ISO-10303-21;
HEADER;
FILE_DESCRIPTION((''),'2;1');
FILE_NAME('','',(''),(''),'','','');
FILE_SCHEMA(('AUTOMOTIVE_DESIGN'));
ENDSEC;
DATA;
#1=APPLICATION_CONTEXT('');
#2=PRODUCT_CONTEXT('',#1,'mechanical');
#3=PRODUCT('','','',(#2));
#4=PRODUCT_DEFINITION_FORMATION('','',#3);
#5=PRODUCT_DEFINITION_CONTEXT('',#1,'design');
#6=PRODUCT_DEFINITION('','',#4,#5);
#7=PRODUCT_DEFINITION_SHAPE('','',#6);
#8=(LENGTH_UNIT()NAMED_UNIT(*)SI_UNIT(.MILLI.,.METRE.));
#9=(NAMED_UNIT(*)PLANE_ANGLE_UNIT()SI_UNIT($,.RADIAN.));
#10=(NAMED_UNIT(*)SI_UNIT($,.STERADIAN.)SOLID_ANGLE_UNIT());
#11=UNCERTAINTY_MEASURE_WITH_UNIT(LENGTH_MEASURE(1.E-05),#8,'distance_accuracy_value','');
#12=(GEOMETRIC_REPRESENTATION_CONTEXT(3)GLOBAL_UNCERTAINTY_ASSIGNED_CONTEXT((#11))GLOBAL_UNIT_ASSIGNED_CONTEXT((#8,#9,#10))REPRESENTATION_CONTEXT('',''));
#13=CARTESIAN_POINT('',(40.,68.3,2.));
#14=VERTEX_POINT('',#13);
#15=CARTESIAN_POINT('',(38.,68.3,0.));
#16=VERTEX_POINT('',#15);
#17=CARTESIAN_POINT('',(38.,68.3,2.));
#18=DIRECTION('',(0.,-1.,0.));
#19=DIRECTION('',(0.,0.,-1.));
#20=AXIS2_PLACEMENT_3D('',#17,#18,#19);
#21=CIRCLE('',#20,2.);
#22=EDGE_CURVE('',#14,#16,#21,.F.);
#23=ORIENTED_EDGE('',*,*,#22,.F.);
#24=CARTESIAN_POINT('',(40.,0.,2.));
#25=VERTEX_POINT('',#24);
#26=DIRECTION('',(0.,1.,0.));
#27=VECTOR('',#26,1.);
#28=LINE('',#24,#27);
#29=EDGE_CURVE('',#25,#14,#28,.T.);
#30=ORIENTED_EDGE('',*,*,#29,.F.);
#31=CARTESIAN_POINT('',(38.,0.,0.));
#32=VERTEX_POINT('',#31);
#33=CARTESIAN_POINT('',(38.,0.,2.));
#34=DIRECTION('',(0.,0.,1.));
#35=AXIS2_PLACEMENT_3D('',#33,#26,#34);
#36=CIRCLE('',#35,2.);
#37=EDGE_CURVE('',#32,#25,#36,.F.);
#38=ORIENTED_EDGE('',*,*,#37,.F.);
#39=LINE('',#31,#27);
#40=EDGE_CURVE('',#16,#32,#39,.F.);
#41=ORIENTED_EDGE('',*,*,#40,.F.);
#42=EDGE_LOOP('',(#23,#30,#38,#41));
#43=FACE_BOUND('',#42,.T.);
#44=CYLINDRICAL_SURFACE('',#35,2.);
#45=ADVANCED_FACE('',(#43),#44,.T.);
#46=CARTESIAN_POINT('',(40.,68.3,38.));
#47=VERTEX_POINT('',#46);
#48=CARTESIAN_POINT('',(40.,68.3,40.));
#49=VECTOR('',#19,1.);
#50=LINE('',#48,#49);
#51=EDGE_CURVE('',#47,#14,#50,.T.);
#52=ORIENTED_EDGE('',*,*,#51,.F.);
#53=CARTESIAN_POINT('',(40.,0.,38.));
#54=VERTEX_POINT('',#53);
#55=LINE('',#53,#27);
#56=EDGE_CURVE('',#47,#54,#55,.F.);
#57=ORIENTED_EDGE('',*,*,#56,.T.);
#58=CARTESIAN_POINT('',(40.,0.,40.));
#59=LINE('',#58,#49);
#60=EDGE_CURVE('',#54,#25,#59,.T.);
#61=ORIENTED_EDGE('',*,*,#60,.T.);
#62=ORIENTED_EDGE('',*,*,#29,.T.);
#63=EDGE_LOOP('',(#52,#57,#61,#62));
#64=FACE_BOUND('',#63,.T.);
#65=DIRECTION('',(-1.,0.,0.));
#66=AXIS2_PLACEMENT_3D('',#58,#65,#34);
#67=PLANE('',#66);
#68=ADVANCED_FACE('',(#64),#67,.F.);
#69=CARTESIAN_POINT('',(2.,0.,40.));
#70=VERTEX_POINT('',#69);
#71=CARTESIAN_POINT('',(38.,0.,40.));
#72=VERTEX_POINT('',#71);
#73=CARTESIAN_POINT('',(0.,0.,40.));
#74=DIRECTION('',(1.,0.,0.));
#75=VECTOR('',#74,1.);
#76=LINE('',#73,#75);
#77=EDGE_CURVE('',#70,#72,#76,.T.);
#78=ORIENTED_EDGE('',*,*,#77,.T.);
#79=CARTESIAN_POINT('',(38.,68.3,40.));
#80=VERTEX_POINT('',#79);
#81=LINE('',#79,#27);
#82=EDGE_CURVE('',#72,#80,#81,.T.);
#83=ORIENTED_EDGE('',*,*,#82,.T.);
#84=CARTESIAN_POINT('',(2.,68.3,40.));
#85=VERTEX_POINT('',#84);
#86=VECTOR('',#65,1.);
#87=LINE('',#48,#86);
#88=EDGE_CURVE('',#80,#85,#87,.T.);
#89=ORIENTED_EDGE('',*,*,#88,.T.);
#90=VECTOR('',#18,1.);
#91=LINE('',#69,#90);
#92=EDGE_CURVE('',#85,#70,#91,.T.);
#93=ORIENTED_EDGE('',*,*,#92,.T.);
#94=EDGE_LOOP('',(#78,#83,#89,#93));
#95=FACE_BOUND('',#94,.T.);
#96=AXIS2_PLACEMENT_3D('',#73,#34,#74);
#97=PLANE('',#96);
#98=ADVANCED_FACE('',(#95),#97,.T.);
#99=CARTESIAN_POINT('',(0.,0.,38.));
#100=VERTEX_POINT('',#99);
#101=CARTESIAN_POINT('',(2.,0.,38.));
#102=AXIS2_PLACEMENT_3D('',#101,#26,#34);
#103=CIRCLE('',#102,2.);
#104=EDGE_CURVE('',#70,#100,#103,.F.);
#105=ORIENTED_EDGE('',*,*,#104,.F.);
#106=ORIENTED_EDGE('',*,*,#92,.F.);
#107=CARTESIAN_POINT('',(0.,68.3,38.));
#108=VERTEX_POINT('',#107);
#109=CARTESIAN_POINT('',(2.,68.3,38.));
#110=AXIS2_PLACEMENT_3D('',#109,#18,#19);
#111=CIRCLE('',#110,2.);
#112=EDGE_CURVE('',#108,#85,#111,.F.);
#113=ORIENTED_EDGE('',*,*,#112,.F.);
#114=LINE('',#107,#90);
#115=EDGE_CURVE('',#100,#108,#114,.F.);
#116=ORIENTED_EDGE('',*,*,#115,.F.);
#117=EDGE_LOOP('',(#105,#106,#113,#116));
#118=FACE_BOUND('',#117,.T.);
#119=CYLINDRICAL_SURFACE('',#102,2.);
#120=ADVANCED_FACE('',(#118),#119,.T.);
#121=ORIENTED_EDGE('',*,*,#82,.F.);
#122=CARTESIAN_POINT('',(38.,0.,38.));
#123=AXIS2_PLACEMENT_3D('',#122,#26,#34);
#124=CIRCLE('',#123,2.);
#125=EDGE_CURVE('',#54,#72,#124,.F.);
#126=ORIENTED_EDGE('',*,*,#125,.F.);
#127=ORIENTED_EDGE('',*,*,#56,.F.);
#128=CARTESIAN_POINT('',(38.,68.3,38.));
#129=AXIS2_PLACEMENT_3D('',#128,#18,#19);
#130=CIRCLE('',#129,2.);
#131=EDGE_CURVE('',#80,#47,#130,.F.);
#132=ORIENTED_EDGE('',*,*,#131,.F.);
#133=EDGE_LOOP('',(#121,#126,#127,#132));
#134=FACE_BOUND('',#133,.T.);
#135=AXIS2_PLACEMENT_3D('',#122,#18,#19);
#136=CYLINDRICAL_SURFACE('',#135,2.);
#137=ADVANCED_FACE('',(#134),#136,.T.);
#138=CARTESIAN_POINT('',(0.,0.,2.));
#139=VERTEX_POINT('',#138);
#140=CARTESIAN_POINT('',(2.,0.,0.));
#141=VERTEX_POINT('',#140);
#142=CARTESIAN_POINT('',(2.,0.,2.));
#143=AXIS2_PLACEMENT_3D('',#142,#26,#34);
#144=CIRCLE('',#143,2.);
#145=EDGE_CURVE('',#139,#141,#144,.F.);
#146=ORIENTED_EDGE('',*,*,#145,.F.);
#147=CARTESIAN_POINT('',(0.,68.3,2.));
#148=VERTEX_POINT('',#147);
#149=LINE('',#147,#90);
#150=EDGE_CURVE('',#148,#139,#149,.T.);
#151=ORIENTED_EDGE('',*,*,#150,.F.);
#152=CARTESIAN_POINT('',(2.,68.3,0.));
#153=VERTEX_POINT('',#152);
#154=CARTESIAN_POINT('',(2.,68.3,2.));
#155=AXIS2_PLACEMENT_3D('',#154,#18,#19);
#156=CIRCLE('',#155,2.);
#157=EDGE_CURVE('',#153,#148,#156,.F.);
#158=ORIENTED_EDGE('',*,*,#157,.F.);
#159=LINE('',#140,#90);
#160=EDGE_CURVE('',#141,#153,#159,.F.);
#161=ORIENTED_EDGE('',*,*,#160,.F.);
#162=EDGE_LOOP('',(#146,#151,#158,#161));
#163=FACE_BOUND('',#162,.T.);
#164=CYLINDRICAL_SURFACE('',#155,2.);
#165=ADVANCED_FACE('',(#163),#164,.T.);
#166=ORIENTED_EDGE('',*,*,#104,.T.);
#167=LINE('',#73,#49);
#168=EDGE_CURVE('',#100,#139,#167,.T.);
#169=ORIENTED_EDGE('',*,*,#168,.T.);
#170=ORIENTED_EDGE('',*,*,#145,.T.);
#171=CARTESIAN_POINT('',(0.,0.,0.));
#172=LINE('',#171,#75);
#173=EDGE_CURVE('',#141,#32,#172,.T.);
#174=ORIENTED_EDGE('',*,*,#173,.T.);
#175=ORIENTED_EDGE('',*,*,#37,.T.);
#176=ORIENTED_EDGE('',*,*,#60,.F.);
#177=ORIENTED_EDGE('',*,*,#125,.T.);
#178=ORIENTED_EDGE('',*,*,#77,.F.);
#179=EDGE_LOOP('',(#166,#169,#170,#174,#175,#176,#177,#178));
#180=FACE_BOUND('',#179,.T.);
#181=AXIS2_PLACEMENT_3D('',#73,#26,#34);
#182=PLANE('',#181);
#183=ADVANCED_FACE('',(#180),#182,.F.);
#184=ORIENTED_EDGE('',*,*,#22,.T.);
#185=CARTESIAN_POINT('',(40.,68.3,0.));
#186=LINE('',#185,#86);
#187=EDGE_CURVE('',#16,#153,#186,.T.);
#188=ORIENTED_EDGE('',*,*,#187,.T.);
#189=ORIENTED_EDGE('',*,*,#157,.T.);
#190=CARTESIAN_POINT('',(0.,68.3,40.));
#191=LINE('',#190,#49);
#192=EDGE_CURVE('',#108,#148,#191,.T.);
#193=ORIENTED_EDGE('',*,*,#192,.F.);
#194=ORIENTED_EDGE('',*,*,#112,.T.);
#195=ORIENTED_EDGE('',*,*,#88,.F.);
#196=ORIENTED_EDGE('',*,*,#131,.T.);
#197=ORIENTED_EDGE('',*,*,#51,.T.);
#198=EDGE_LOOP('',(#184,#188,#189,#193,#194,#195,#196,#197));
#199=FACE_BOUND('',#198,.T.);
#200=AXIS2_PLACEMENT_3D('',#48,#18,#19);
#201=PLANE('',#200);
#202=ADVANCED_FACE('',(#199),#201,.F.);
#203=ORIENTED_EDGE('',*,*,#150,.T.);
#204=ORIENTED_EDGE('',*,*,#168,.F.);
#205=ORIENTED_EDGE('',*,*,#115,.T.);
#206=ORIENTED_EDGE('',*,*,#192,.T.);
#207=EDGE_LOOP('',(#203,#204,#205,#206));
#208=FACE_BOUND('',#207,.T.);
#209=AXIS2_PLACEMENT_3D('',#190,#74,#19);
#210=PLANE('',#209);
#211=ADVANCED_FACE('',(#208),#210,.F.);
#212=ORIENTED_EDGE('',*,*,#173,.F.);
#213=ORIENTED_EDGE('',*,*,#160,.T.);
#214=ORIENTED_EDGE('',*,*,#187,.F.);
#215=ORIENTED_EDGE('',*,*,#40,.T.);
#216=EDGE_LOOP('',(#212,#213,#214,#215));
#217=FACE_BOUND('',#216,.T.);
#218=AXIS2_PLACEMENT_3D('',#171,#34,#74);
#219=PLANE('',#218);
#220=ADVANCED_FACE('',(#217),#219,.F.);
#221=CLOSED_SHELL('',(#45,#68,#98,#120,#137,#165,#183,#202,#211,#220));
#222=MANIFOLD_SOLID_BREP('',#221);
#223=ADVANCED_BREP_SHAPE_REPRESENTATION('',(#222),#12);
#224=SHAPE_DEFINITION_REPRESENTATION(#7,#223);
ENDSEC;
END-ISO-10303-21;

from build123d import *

# Parameters (mm, degrees)
SKETCH_1_W         = 40
SKETCH_1_H         = 68.3
BLOCKEXTRUDE_DEPTH = 40
FILLET_2_R         = 2


with BuildPart() as part:
    # 草图1 → BlockExtrude (new body)
    with BuildSketch(Plane.XY):
        with Locations((20, 34.15)):
            Rectangle(SKETCH_1_W, SKETCH_1_H)
    extrude(amount=BLOCKEXTRUDE_DEPTH)

    # Fillet 2
    fillet_2_edges = [part.edges().sort_by_distance(p)[0] for p in [
        (40, 34.15, 40),
        (0, 34.15, 40),
        (40, 34.15, 0),
        (0, 34.15, 0),
    ]]
    fillet(fillet_2_edges, radius=FILLET_2_R)


solid = part.part
